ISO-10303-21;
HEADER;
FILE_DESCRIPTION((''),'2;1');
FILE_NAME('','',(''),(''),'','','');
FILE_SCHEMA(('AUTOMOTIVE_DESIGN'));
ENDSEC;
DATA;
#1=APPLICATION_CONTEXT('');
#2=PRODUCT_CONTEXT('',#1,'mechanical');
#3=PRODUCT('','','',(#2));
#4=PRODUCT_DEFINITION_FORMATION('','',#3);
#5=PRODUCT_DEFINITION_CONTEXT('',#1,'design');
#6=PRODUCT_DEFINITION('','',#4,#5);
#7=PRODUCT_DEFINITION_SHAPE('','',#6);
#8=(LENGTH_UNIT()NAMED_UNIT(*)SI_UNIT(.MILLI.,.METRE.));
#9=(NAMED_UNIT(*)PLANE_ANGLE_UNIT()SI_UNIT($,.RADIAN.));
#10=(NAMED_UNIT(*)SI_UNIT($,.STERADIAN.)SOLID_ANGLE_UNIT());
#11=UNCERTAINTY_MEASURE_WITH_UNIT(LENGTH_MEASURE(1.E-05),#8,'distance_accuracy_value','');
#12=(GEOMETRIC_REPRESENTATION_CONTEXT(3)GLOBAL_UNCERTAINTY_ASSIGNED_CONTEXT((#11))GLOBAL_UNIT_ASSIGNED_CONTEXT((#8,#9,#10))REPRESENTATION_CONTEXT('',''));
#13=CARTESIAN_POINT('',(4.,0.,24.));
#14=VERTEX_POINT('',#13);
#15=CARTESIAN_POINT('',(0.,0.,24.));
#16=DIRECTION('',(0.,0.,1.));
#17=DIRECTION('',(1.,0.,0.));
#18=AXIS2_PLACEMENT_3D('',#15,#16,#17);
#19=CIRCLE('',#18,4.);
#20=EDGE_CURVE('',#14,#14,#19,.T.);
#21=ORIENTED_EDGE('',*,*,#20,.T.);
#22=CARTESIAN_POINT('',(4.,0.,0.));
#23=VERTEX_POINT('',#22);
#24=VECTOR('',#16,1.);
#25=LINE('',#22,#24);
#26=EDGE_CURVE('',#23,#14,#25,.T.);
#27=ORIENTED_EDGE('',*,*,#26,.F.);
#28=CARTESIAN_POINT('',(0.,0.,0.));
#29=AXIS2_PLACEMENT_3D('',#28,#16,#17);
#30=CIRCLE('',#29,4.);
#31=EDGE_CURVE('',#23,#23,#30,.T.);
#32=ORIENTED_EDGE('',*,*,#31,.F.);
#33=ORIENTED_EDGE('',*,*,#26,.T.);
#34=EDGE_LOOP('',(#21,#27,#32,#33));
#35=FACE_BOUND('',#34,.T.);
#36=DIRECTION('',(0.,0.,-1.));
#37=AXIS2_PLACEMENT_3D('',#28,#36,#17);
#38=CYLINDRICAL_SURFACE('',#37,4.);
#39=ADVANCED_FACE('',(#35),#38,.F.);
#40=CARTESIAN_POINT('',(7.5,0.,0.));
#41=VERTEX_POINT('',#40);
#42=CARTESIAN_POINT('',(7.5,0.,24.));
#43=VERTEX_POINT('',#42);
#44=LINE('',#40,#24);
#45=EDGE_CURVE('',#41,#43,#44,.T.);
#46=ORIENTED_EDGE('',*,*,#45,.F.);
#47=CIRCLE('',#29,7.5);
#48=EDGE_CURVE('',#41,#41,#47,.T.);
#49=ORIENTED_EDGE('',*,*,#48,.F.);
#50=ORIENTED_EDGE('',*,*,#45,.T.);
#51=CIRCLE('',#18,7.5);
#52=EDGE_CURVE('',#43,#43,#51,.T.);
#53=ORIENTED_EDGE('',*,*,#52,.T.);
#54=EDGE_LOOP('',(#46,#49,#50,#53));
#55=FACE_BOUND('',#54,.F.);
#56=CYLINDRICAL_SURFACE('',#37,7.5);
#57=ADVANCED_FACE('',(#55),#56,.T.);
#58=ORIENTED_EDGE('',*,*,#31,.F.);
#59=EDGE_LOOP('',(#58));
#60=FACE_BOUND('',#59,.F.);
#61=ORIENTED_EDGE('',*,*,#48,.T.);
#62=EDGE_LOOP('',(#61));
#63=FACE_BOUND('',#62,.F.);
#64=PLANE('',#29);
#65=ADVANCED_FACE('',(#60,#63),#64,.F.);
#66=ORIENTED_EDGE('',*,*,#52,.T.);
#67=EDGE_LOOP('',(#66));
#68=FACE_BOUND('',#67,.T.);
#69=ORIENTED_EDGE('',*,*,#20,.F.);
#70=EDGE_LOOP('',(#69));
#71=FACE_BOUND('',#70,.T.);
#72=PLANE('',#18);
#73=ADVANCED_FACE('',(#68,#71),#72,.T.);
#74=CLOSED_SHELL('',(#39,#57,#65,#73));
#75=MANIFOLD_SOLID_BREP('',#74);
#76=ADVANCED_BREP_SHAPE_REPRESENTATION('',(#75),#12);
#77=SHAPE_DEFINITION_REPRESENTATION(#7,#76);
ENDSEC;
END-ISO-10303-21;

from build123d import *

# Parameters (mm, degrees)
SKETCH_R   = 7.5
SKETCH_R_2 = 4
PAD_DEPTH  = 24


with BuildPart() as part:
    # Sketch → Pad (new body)
    with BuildSketch(Plane.XY):
        Circle(SKETCH_R)
        Circle(SKETCH_R_2, mode=Mode.SUBTRACT)
    extrude(amount=PAD_DEPTH)


solid = part.part
